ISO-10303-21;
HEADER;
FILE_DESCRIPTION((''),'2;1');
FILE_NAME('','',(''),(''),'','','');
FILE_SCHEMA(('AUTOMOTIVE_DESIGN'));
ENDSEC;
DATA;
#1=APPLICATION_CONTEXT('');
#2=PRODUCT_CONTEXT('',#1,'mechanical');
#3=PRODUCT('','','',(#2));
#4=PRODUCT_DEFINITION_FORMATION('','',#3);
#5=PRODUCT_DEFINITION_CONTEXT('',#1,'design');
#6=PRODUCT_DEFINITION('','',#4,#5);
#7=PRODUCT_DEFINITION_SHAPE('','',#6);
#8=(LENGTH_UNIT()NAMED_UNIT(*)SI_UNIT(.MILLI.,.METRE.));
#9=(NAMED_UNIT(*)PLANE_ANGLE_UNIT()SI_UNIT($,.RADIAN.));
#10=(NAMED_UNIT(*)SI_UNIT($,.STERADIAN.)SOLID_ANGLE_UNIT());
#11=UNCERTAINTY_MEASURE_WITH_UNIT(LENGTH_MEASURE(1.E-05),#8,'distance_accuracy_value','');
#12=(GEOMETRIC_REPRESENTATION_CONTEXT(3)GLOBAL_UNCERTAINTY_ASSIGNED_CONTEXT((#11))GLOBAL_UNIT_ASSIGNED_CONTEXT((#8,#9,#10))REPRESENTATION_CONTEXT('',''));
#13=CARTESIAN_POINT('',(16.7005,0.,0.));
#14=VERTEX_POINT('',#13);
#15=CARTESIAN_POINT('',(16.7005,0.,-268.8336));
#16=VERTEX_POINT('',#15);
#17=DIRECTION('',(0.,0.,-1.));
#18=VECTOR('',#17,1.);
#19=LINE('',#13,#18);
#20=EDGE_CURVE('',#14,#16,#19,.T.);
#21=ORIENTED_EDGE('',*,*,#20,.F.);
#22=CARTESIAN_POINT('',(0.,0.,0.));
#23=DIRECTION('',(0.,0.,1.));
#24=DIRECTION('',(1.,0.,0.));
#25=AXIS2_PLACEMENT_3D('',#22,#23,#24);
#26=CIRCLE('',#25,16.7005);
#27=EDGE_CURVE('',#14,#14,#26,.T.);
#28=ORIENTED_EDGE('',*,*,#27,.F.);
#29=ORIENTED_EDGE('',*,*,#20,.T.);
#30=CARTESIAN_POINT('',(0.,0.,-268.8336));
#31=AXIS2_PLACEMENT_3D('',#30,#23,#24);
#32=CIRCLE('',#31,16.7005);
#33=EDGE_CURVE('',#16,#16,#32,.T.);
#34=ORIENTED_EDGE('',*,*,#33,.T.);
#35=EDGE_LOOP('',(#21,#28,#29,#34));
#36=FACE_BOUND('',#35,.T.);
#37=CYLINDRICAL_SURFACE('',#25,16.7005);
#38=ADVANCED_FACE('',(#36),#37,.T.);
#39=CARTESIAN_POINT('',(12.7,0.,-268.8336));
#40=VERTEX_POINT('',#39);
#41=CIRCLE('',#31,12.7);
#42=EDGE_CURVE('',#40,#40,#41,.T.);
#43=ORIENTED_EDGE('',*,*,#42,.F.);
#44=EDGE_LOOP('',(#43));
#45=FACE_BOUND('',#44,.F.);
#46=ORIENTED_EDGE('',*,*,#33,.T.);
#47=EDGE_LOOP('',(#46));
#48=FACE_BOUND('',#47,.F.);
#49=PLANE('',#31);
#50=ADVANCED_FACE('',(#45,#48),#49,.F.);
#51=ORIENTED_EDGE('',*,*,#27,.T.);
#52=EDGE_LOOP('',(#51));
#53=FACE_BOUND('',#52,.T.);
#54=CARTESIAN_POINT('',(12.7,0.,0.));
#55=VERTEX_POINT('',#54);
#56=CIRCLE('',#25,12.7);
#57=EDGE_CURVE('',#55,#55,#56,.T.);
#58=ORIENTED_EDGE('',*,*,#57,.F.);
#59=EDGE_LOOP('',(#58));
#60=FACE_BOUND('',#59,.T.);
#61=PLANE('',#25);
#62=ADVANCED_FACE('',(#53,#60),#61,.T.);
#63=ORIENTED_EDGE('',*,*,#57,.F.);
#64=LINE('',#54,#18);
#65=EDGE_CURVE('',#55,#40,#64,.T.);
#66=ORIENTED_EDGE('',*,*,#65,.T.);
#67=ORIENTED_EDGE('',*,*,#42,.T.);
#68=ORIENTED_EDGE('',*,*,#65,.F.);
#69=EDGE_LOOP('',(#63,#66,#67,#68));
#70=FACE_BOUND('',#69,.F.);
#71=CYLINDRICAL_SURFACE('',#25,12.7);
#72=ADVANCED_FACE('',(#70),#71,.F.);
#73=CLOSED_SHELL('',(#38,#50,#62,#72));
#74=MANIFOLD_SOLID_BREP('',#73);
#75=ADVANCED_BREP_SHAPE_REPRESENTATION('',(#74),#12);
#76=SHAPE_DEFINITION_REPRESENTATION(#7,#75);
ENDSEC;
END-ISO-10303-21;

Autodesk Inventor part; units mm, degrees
ref_plane "YZ Plane" through (0, 0, 0) normal (1, 0, 0) x (0, 1, 0)
ref_plane "XZ Plane" through (0, 0, 0) normal (0, 1, 0) x (-1, 0, 0)
ref_plane "XY Plane" through (0, 0, 0) normal (0, 0, 1) x (1, 0, 0)
sketch "Sketch1" plane through (0, 0, 0) normal (0, 0, 1) x (1, 0, 0)
  circle A0 centre (0, 0) radius 16.7005
  circle A1 centre (0, 0) radius 12.7
  dimension "d0" = 33.401
  dimension "d1" = 25.4
extrude "Extrusion1" add sketch "Sketch1" against normal blind 268.8336
properties part number "Pipe 7"
